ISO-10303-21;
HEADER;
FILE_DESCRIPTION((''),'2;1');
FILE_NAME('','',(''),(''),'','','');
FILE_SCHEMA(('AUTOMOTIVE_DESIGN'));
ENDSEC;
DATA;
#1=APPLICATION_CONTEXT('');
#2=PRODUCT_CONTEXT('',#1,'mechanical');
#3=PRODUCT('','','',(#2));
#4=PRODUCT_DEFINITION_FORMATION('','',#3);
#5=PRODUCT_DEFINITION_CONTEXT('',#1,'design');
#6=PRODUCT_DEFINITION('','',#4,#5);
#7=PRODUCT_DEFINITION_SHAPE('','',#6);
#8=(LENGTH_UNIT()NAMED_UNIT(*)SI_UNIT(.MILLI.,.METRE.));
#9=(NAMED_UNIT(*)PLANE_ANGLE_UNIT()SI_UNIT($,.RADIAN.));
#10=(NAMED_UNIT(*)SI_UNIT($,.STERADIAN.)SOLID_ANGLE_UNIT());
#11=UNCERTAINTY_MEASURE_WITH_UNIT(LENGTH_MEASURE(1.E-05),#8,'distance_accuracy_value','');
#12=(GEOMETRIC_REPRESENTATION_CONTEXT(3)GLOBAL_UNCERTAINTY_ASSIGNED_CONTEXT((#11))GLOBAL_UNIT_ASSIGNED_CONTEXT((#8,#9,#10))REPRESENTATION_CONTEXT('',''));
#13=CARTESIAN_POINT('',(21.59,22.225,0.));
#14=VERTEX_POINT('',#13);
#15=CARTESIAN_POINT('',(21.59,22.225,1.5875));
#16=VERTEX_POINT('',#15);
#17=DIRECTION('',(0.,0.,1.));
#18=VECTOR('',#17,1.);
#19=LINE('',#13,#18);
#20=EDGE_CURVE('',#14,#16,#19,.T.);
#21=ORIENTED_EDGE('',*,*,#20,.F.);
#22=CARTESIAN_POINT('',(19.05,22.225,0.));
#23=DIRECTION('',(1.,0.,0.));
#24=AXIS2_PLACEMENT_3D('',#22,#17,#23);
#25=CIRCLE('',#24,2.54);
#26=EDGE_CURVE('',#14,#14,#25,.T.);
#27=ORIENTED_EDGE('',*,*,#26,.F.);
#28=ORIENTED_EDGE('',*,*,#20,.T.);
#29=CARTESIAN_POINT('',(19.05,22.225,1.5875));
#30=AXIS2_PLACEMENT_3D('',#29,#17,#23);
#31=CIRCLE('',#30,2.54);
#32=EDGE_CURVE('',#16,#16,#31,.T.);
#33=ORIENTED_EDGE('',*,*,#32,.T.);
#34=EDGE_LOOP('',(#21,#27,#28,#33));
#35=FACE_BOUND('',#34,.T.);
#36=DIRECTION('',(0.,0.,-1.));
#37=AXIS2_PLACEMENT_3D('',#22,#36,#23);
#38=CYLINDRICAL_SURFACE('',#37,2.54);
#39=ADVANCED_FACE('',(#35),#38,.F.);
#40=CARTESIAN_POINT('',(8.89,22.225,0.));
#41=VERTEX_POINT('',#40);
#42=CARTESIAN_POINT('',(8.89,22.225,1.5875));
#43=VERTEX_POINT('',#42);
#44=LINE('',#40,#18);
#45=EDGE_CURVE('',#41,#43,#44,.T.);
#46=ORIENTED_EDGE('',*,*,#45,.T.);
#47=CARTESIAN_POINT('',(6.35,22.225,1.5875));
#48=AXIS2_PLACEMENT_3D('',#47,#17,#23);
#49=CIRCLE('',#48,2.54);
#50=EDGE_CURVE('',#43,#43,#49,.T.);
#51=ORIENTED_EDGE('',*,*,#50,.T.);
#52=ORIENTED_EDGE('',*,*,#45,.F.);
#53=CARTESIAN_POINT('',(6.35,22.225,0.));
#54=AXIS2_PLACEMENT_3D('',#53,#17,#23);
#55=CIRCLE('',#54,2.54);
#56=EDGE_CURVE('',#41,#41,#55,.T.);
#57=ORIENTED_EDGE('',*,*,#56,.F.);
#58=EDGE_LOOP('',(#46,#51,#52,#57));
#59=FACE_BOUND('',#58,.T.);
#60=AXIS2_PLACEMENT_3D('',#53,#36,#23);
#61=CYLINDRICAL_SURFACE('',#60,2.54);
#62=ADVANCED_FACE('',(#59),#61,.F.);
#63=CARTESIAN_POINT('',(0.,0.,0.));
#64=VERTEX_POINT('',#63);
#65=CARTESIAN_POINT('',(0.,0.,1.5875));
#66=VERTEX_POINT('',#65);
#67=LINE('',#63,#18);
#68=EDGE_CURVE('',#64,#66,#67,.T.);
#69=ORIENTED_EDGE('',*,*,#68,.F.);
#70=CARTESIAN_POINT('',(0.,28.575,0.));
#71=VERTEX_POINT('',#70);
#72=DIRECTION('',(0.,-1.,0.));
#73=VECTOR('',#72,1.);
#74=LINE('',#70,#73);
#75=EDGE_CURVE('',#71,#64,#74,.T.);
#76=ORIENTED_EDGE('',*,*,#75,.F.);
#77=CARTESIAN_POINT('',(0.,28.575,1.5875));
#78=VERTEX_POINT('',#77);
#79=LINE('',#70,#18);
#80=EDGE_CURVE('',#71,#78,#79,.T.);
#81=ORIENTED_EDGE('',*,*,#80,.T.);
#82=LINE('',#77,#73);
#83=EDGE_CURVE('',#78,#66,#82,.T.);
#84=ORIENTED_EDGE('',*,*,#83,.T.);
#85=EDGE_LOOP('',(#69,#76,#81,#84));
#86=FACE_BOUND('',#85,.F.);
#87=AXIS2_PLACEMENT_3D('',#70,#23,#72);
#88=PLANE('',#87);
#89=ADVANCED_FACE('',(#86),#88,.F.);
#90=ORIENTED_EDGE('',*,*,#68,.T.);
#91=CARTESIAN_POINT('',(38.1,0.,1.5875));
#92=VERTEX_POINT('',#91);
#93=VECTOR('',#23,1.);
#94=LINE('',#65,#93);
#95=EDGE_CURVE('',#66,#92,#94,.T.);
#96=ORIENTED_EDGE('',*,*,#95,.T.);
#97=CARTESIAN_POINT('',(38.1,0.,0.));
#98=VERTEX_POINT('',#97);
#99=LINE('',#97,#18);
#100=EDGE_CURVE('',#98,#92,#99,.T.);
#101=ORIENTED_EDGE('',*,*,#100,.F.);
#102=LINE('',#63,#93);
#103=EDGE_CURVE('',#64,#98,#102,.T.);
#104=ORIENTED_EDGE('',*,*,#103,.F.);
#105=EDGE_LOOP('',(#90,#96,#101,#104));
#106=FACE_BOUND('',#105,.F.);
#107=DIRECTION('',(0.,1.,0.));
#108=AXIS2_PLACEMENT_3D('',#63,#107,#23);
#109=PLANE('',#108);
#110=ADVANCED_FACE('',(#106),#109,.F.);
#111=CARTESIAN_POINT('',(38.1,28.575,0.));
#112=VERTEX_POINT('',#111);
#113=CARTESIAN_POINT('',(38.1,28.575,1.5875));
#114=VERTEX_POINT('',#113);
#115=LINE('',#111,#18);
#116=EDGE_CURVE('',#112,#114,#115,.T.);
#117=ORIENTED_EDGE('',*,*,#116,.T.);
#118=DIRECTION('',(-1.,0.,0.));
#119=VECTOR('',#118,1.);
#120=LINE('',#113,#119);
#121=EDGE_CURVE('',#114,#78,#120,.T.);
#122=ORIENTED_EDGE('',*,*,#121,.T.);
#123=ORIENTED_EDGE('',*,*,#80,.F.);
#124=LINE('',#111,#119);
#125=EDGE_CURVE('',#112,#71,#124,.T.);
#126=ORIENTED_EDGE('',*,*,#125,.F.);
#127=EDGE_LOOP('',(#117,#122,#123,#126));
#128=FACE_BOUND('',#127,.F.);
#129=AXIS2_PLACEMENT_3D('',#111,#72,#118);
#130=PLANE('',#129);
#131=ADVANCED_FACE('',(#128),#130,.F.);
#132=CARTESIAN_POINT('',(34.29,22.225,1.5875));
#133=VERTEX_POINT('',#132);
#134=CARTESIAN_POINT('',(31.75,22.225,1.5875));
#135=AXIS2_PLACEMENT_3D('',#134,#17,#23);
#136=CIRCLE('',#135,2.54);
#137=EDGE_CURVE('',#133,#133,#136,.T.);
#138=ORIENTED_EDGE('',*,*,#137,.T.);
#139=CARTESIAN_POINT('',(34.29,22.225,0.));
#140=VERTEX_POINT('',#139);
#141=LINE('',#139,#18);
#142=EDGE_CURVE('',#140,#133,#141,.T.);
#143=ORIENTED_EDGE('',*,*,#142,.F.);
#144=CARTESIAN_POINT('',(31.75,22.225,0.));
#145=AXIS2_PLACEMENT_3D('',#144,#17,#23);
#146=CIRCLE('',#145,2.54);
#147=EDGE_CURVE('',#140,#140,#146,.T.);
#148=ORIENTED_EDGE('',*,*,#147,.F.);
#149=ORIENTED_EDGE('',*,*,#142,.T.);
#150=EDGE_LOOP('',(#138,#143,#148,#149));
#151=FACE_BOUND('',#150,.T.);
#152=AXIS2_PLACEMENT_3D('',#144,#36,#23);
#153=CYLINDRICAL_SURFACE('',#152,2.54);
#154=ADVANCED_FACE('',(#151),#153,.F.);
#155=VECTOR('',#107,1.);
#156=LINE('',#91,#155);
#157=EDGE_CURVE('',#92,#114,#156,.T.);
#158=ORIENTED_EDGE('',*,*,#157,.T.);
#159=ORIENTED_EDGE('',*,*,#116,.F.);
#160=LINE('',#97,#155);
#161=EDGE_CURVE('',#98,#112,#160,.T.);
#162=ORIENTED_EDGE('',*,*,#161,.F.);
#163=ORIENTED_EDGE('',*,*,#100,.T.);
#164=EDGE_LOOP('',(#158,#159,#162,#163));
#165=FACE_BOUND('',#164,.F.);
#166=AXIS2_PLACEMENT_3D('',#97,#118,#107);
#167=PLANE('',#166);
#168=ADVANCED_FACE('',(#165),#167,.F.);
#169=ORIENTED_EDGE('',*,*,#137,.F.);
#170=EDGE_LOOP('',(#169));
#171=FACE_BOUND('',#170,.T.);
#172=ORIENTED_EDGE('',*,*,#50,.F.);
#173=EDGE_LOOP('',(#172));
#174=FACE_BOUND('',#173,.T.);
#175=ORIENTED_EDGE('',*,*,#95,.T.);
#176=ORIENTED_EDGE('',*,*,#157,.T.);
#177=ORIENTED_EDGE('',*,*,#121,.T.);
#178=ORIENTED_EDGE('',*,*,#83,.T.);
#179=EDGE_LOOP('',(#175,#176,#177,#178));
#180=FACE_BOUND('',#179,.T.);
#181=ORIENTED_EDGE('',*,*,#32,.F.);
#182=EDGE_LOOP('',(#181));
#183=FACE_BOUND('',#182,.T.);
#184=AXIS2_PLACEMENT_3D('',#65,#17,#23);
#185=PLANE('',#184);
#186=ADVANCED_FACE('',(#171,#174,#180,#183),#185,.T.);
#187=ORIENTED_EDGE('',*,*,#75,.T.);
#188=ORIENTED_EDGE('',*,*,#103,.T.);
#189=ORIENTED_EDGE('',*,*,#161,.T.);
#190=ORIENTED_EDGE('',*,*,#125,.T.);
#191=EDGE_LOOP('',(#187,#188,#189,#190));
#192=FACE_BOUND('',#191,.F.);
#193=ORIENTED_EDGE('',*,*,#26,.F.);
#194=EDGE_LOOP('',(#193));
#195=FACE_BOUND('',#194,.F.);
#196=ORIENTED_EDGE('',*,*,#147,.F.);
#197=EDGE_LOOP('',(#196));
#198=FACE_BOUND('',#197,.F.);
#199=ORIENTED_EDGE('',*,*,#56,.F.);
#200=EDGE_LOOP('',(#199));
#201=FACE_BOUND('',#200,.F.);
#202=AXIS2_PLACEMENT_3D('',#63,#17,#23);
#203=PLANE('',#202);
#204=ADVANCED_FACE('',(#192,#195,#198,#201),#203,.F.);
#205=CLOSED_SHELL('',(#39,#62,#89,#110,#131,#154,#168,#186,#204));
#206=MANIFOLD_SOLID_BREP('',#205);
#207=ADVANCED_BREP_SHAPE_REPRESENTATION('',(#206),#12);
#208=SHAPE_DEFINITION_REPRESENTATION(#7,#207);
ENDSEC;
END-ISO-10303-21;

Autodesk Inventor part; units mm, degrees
ref_plane "YZ Plane" through (0, 0, 0) normal (1, 0, 0) x (0, 1, 0)
ref_plane "XZ Plane" through (0, 0, 0) normal (0, 1, 0) x (-1, 0, 0)
ref_plane "XY Plane" through (0, 0, 0) normal (0, 0, 1) x (1, 0, 0)
sketch "Sketch1" plane through (0, 0, 0) normal (0, 0, 1) x (1, 0, 0)
  line L0 (0, 0) -> (38.1, 0)
  line L1 (38.1, 0) -> (38.1, 28.575)
  line L2 (38.1, 28.575) -> (0, 28.575)
  line L3 (0, 28.575) -> (0, 0)
  circle A0 centre (6.35, 22.225) radius 2.54
  circle A1 centre (19.05, 22.225) radius 2.54
  circle A2 centre (31.75, 22.225) radius 2.54
  dimension "d0" = 38.1
  dimension "d1" = 28.575
  dimension "d5" = 5.08
  dimension "d8" = 5.08
  dimension "d9" = 5.08
extrude "Extrusion1" add sketch "Sketch1" along normal blind 1.5875
properties part number "flatPoly3ForCNC"
